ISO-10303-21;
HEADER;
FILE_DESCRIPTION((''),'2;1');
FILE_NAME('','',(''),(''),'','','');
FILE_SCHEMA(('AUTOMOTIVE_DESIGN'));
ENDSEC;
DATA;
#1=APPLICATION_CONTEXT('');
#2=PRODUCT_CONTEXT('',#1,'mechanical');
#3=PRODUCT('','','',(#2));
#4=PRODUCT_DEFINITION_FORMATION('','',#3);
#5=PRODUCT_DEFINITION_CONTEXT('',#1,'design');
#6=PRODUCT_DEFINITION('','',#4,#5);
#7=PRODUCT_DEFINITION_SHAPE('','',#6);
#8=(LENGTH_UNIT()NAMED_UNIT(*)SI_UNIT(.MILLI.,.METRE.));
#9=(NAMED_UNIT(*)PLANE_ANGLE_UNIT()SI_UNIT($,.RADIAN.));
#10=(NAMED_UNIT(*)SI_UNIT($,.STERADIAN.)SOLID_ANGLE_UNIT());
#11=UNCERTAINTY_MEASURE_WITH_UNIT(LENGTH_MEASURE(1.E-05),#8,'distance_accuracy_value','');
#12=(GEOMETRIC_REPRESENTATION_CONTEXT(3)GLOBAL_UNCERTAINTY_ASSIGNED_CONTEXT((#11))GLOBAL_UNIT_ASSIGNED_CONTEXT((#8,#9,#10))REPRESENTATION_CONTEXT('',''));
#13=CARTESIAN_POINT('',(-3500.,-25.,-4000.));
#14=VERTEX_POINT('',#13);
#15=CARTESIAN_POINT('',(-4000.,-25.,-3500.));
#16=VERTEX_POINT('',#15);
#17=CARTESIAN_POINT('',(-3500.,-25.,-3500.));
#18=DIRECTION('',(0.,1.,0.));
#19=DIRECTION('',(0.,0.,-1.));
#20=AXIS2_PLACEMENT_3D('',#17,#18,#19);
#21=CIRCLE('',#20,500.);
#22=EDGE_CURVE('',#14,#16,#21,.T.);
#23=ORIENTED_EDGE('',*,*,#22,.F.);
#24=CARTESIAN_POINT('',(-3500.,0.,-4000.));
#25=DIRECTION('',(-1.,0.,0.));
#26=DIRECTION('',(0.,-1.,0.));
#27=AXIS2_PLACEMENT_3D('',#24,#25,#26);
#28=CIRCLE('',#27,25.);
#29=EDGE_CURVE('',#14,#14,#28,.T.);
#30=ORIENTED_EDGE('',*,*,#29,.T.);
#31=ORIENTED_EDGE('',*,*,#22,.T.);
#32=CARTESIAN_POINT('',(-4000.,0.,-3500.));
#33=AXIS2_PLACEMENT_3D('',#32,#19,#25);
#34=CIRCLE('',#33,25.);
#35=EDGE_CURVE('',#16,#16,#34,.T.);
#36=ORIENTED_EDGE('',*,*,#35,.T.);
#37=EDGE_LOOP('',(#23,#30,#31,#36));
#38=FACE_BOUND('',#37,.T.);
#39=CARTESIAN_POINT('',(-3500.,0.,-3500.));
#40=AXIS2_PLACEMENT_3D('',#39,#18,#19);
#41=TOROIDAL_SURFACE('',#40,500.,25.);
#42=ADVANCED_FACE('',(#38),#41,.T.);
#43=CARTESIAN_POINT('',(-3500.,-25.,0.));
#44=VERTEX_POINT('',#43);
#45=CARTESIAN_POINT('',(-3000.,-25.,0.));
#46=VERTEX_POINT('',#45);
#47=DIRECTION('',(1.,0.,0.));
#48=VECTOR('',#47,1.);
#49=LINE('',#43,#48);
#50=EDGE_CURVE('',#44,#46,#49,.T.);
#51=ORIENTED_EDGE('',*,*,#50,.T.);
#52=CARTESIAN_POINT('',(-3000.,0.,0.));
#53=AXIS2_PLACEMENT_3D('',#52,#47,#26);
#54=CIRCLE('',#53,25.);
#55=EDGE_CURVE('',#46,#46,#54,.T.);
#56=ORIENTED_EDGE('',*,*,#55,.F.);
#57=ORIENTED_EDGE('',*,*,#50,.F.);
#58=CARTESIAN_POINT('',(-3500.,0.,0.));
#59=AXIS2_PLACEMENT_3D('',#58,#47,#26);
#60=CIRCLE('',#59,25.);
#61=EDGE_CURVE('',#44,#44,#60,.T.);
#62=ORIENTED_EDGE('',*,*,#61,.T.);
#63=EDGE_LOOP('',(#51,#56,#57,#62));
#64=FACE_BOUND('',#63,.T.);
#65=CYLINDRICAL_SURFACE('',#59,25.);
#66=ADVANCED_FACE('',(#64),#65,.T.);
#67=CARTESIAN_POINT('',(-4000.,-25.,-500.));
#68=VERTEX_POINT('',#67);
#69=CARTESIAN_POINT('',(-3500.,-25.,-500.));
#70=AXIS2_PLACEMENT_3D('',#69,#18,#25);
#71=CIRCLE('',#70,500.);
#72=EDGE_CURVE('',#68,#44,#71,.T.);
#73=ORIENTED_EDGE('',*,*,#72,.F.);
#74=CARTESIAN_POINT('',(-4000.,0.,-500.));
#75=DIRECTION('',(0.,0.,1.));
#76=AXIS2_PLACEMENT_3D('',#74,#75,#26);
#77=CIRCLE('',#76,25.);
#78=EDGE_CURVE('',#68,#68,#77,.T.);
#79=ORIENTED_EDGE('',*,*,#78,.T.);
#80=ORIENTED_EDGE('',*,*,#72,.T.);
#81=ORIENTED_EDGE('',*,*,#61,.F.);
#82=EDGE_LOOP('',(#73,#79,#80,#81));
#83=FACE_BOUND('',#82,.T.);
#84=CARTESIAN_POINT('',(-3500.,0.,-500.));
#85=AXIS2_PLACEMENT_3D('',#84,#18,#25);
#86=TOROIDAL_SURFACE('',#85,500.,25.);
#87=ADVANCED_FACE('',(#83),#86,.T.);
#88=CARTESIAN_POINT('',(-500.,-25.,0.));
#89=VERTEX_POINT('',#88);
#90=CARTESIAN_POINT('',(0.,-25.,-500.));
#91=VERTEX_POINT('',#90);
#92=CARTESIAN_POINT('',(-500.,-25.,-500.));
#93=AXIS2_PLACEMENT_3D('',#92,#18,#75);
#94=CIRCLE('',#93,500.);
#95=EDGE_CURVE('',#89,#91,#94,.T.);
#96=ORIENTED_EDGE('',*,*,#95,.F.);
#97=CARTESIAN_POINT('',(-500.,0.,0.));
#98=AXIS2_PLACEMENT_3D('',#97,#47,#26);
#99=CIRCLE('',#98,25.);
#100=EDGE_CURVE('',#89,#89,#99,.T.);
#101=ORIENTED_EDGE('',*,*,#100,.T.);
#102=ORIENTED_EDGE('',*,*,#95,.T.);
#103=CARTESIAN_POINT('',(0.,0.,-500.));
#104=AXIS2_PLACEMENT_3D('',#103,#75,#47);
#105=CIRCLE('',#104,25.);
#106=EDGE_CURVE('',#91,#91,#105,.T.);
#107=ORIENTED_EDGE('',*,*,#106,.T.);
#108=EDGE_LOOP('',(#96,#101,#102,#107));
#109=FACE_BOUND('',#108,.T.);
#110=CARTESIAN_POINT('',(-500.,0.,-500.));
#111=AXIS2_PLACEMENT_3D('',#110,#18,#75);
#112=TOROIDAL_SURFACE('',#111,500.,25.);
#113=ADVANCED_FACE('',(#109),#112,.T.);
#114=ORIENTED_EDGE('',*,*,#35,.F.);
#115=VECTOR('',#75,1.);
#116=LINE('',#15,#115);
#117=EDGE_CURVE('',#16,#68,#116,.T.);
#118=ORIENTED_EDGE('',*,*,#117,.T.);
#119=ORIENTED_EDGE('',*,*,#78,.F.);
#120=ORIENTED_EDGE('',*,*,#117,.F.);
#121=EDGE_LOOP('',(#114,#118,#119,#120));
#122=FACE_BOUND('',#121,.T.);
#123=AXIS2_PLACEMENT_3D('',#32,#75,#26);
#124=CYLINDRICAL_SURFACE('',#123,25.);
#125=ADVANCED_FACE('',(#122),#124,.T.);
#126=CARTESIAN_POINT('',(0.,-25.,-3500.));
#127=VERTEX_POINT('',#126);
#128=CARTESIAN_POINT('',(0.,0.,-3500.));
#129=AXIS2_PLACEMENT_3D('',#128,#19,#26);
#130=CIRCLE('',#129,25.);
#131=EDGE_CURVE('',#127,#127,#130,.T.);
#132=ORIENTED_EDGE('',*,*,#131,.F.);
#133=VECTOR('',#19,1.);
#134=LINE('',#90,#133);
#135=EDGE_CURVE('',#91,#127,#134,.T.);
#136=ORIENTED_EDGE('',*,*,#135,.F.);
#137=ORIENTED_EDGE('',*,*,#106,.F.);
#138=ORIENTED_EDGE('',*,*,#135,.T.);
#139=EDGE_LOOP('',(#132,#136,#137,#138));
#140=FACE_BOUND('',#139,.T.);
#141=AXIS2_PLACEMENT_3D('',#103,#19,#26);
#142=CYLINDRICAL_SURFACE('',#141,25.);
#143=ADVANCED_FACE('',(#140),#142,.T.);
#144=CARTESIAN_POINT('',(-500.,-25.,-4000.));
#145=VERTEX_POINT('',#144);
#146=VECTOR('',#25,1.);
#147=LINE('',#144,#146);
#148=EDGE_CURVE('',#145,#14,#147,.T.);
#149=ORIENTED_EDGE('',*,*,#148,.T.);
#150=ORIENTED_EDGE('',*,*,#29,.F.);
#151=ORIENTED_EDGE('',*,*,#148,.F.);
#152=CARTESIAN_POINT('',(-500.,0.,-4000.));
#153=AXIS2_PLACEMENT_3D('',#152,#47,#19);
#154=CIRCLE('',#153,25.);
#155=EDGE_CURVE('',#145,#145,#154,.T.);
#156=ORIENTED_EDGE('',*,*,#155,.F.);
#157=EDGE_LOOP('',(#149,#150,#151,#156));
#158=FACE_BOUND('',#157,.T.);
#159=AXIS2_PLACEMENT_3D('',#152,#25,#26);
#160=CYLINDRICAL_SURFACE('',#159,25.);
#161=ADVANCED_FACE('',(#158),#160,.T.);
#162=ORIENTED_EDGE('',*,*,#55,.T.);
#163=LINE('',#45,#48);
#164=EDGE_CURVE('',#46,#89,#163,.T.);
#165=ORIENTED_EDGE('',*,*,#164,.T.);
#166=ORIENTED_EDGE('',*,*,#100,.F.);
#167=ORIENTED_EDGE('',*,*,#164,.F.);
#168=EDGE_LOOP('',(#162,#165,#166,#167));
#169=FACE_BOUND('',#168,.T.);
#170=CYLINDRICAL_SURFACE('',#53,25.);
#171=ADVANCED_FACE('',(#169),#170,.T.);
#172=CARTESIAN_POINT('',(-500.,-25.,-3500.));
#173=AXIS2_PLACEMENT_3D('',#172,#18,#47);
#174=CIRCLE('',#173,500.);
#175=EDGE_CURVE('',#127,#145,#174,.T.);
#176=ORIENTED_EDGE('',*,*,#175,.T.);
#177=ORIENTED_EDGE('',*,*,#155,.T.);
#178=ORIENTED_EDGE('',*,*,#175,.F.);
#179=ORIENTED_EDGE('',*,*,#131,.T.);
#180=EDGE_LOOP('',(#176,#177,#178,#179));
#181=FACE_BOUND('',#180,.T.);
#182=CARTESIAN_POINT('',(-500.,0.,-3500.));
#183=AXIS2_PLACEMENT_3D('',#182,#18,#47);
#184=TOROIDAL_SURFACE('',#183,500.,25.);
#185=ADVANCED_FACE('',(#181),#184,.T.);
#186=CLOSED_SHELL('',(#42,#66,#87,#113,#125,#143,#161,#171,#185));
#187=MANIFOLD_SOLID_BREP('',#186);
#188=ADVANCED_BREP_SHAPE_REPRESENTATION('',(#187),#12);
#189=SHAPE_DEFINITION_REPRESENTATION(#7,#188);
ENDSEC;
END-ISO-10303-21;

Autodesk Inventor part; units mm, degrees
ref_plane "YZ Plane" through (0, 0, 0) normal (1, 0, 0) x (0, 1, 0)
ref_plane "XZ Plane" through (0, 0, 0) normal (0, 1, 0) x (-1, 0, 0)
ref_plane "XY Plane" through (0, 0, 0) normal (0, 0, 1) x (1, 0, 0)
sketch "Boceto1" plane through (0, 0, 0) normal (0, 1, 0) x (-1, 0, 0)
  point P0 (0, 0)
ref_plane "Plano de trabajo1" through (-3000, 0, 0) normal (-1, 0, 0) x (0, -1, 0)
sketch "Boceto2" plane through (-3000, 0, 0) normal (-1, 0, 0) x (0, -1, 0)
  circle A0 centre (0, 0) radius 25
  dimension "d11" = 50
sketch3d "Boceto 3D1"
  line L0 (-3000, 0, 0) -> (-500, 0, 0)
  arc A0 (-500, 0, 0) -> (0, 0, -500) centre (-500, 0, -500) ccw
  line L1 (0, 0, -500) -> (0, 0, -3500)
  arc A1 (0, 0, -3500) -> (-500, 0, -4000) centre (-500, 0, -3500) ccw
  line L2 (-500, 0, -4000) -> (-3500, 0, -4000)
  arc A2 (-3500, 0, -4000) -> (-4000, 0, -3500) centre (-3500, 0, -3500) ccw
  line L3 (-4000, 0, -3500) -> (-4000, 0, -500)
  arc A3 (-4000, 0, -500) -> (-3500, 0, 0) centre (-3500, 0, -500) ccw
  line L4 (-3500, 0, 0) -> (-3000, 0, 0)
  dimension "d0" = 4000
  dimension "d1" = 4000
  dimension "d2" = 4000
  dimension "d5" = 500
  dimension "d6" = 500
  dimension "d7" = 3000
  dimension "d8" = 995
  dimension "d9" = 500
  dimension "d10" = 500
sweep "Barrido1" add profiles "Boceto2" path "Boceto 3D1"
equation "\"d5\" = d3"
equation "\"d6\" = d3"
equation "\"d10\" = d9"
equation "\"d3\" = 500"
properties part number "Riel"
